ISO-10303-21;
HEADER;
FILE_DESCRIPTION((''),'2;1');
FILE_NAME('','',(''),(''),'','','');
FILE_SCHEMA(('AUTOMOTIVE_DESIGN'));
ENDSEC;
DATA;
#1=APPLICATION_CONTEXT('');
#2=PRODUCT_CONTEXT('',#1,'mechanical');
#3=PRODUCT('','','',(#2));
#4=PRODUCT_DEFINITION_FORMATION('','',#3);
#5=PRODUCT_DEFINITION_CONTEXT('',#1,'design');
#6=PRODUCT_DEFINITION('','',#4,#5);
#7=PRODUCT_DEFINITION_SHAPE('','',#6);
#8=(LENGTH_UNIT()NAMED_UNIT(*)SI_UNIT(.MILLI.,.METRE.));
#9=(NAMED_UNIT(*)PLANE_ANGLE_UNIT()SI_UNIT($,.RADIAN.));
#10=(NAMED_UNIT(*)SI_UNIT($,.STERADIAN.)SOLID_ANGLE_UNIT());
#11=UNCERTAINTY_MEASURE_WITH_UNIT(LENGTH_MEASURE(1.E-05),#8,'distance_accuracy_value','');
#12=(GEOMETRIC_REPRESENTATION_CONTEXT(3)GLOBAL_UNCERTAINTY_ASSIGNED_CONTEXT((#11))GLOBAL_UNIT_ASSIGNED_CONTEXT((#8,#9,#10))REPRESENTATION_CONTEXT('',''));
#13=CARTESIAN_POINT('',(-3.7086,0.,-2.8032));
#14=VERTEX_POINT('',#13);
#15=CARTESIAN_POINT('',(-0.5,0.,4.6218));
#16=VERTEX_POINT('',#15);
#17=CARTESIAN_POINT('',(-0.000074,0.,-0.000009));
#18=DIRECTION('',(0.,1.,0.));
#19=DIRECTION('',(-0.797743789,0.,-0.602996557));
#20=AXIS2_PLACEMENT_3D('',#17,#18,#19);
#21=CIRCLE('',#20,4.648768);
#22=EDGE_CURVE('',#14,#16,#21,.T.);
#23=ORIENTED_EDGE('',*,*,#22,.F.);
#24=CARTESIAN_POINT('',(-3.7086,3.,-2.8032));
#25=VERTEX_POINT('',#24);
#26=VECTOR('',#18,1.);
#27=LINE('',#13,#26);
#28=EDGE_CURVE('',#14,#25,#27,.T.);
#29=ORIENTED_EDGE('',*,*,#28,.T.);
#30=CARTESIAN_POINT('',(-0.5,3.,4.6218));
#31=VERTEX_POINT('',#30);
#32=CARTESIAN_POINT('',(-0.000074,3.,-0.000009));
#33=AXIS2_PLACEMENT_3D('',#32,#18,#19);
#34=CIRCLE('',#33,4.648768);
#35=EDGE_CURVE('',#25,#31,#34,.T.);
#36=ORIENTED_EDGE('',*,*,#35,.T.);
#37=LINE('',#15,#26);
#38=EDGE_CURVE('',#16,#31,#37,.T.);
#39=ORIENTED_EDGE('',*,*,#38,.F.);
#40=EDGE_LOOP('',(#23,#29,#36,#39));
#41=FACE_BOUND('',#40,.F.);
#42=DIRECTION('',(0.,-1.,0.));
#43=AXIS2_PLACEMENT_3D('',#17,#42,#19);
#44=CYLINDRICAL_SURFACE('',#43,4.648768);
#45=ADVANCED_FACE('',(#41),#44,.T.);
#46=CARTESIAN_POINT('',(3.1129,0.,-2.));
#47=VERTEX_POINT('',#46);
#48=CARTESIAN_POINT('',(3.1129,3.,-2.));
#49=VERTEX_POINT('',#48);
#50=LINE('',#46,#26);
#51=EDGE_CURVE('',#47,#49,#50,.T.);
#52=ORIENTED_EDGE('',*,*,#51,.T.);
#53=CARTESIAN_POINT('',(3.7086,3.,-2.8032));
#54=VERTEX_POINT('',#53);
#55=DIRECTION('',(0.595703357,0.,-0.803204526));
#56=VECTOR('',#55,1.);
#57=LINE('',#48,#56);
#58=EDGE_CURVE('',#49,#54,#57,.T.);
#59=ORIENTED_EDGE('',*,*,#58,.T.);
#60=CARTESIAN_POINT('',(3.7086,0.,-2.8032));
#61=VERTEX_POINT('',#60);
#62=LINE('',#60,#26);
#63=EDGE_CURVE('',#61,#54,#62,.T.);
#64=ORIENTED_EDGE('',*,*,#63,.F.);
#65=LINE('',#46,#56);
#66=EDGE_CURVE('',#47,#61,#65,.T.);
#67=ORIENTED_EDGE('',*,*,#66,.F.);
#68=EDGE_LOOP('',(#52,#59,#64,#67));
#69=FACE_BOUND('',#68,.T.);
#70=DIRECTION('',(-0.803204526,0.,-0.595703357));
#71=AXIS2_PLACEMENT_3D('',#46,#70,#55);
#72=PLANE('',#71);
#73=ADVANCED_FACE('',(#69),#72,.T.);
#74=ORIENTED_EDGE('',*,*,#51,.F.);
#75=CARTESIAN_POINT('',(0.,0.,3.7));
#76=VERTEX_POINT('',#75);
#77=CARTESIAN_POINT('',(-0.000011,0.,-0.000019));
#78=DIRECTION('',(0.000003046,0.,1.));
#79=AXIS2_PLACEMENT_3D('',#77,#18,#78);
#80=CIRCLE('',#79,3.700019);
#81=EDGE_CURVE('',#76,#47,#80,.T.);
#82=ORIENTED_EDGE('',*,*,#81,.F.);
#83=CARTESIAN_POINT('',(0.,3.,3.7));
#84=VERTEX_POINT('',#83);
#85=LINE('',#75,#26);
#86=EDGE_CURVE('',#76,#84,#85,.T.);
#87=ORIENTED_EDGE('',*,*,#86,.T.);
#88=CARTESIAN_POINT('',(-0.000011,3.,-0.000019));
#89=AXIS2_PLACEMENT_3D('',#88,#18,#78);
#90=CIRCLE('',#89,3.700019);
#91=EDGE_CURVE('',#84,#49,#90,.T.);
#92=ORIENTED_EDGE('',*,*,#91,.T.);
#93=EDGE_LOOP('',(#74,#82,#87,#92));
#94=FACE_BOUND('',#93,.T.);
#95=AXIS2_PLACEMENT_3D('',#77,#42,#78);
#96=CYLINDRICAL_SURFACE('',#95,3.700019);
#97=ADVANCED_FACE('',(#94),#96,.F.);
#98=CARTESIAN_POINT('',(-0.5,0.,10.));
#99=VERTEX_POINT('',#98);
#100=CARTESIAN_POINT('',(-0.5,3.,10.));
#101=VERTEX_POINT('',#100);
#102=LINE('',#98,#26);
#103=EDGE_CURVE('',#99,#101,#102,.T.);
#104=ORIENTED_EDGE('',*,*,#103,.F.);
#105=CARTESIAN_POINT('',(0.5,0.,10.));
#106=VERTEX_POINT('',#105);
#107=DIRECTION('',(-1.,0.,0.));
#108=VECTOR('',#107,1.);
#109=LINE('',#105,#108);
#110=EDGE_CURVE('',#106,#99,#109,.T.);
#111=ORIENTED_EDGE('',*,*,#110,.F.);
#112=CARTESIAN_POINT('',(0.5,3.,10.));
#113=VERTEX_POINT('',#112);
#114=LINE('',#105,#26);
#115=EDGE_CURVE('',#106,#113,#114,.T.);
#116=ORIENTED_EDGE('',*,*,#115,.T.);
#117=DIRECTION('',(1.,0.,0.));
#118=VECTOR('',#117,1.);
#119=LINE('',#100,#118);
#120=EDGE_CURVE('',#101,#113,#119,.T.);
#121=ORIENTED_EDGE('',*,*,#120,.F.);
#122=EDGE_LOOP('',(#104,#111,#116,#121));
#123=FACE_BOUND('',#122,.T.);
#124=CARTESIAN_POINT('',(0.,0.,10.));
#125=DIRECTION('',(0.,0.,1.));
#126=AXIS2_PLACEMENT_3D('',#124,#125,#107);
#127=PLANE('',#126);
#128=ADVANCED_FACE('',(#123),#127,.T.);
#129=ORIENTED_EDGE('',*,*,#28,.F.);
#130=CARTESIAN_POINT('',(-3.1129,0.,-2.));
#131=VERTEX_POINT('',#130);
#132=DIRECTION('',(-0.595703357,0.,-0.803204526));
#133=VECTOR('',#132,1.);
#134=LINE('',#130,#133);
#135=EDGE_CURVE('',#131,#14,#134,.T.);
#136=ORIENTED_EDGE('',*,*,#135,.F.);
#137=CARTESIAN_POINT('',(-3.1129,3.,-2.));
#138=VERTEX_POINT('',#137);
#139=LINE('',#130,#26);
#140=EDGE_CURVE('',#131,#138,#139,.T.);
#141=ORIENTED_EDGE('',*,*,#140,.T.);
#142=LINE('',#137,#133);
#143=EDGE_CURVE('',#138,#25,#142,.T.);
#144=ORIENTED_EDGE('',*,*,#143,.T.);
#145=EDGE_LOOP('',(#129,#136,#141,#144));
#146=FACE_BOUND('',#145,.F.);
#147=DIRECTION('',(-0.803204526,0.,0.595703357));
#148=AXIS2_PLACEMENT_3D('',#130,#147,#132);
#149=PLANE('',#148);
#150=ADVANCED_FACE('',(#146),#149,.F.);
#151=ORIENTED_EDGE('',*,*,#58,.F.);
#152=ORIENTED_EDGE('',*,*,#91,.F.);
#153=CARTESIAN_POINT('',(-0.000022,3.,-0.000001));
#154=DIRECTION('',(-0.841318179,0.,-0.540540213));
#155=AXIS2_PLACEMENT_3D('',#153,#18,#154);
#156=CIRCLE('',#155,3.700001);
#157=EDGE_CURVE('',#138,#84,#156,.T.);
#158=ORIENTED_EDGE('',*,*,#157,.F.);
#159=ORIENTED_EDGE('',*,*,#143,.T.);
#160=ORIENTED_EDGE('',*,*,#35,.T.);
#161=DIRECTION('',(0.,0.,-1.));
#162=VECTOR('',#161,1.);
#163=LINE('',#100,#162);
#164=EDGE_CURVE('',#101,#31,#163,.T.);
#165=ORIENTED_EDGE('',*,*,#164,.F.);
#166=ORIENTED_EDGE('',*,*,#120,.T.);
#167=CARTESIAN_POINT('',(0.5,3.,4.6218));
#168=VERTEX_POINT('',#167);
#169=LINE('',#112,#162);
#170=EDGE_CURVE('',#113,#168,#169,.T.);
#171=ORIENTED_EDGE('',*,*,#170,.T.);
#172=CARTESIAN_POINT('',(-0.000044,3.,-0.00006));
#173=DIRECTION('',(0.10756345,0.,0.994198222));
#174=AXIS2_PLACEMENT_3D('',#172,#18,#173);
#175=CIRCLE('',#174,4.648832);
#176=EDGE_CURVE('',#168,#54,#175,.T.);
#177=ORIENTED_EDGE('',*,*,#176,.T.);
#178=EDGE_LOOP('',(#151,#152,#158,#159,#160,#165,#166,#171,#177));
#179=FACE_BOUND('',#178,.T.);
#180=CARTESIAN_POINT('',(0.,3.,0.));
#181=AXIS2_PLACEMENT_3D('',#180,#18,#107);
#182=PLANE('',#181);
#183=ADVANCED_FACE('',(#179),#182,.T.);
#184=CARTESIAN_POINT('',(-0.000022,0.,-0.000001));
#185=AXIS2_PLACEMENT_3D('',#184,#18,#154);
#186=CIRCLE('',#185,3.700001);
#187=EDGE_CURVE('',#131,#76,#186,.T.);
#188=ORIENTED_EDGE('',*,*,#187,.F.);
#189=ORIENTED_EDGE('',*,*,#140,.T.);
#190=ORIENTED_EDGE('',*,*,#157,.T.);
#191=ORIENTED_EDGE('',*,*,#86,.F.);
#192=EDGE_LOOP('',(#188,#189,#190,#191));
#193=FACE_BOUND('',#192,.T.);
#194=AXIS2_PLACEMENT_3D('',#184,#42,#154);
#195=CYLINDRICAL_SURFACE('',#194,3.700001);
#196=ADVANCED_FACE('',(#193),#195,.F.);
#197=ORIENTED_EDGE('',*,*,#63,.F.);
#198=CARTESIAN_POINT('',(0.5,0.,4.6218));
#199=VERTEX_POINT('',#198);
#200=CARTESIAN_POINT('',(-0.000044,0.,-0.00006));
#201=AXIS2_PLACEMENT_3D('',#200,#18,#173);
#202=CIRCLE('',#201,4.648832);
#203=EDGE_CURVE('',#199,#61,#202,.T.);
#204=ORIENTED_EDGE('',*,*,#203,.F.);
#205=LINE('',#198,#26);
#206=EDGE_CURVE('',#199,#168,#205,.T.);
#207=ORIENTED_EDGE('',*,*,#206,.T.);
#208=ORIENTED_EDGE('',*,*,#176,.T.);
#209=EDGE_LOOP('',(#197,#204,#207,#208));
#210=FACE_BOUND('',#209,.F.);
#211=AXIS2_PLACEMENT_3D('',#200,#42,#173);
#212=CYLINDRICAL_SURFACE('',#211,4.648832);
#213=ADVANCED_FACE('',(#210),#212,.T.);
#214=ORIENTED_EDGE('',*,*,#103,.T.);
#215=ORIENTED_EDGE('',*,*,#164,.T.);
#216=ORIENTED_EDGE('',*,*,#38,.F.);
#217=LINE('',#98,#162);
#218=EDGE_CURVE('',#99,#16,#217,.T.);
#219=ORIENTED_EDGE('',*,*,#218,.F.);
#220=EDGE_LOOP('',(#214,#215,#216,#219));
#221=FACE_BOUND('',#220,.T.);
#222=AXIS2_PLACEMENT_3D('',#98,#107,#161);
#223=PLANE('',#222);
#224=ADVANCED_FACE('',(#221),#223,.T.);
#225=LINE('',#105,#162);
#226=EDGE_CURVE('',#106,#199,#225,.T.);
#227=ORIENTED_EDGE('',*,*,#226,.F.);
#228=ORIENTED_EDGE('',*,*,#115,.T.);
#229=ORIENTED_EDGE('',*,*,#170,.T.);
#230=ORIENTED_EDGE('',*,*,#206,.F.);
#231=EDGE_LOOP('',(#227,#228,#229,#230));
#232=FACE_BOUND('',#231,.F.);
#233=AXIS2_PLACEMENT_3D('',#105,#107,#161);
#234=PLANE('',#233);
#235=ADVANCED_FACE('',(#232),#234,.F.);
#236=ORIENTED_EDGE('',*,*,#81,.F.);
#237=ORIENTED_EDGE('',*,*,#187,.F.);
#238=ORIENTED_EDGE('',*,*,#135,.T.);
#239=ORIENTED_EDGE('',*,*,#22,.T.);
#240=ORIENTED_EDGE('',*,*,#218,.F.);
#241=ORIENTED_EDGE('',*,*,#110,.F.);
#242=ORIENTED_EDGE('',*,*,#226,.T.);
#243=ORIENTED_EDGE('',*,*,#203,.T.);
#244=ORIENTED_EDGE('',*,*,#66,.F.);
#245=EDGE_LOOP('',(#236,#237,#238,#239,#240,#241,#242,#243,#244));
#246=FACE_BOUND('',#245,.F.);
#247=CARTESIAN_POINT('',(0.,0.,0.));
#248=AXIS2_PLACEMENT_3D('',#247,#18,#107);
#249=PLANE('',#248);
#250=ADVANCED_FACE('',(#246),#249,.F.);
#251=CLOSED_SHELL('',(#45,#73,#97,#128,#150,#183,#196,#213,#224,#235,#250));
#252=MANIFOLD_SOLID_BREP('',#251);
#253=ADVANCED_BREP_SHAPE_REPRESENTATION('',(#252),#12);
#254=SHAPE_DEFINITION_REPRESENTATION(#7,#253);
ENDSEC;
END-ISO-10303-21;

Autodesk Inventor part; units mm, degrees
ref_plane "YZ Plane" through (0, 0, 0) normal (1, 0, 0) x (0, 1, 0)
ref_plane "XZ Plane" through (0, 0, 0) normal (0, 1, 0) x (-1, 0, 0)
ref_plane "XY Plane" through (0, 0, 0) normal (0, 0, 1) x (1, 0, 0)
sketch "Sketch1" plane through (0, 0, 0) normal (0, 1, 0) x (-1, 0, 0)
  arc A0 (3.1129, -2) -> (0, 3.7) centre (0, 0) ccw
  line L0 (3.1129, -2) -> (3.7086, -2.8032)
  arc A1 (3.7086, -2.8032) -> (0.5, 4.6218) centre (0, 0) ccw
  line L1 (0, 10) -> (0.5, 10)
  line L2 (0.5, 10) -> (0.5, 4.6218)
  line L3 (0, 3.7) -> (0, 10)
  arc A2 (0, 3.7) -> (-3.1129, -2) centre (0, 0) ccw
  line L4 (-3.1129, -2) -> (-3.7086, -2.8032)
  arc A3 (-0.5, 4.6218) -> (-3.7086, -2.8032) centre (0, 0) ccw
  line L5 (0, 10) -> (-0.5, 10)
  line L6 (-0.5, 10) -> (-0.5, 4.6218)
  dimension "d0" = 10
  dimension "d1" = 7.4
  dimension "d3" = 1
  dimension "d4" = 0.5
extrude "Extrusion1" add sketch "Sketch1" along normal blind 3
properties part number "Microphone holder"
